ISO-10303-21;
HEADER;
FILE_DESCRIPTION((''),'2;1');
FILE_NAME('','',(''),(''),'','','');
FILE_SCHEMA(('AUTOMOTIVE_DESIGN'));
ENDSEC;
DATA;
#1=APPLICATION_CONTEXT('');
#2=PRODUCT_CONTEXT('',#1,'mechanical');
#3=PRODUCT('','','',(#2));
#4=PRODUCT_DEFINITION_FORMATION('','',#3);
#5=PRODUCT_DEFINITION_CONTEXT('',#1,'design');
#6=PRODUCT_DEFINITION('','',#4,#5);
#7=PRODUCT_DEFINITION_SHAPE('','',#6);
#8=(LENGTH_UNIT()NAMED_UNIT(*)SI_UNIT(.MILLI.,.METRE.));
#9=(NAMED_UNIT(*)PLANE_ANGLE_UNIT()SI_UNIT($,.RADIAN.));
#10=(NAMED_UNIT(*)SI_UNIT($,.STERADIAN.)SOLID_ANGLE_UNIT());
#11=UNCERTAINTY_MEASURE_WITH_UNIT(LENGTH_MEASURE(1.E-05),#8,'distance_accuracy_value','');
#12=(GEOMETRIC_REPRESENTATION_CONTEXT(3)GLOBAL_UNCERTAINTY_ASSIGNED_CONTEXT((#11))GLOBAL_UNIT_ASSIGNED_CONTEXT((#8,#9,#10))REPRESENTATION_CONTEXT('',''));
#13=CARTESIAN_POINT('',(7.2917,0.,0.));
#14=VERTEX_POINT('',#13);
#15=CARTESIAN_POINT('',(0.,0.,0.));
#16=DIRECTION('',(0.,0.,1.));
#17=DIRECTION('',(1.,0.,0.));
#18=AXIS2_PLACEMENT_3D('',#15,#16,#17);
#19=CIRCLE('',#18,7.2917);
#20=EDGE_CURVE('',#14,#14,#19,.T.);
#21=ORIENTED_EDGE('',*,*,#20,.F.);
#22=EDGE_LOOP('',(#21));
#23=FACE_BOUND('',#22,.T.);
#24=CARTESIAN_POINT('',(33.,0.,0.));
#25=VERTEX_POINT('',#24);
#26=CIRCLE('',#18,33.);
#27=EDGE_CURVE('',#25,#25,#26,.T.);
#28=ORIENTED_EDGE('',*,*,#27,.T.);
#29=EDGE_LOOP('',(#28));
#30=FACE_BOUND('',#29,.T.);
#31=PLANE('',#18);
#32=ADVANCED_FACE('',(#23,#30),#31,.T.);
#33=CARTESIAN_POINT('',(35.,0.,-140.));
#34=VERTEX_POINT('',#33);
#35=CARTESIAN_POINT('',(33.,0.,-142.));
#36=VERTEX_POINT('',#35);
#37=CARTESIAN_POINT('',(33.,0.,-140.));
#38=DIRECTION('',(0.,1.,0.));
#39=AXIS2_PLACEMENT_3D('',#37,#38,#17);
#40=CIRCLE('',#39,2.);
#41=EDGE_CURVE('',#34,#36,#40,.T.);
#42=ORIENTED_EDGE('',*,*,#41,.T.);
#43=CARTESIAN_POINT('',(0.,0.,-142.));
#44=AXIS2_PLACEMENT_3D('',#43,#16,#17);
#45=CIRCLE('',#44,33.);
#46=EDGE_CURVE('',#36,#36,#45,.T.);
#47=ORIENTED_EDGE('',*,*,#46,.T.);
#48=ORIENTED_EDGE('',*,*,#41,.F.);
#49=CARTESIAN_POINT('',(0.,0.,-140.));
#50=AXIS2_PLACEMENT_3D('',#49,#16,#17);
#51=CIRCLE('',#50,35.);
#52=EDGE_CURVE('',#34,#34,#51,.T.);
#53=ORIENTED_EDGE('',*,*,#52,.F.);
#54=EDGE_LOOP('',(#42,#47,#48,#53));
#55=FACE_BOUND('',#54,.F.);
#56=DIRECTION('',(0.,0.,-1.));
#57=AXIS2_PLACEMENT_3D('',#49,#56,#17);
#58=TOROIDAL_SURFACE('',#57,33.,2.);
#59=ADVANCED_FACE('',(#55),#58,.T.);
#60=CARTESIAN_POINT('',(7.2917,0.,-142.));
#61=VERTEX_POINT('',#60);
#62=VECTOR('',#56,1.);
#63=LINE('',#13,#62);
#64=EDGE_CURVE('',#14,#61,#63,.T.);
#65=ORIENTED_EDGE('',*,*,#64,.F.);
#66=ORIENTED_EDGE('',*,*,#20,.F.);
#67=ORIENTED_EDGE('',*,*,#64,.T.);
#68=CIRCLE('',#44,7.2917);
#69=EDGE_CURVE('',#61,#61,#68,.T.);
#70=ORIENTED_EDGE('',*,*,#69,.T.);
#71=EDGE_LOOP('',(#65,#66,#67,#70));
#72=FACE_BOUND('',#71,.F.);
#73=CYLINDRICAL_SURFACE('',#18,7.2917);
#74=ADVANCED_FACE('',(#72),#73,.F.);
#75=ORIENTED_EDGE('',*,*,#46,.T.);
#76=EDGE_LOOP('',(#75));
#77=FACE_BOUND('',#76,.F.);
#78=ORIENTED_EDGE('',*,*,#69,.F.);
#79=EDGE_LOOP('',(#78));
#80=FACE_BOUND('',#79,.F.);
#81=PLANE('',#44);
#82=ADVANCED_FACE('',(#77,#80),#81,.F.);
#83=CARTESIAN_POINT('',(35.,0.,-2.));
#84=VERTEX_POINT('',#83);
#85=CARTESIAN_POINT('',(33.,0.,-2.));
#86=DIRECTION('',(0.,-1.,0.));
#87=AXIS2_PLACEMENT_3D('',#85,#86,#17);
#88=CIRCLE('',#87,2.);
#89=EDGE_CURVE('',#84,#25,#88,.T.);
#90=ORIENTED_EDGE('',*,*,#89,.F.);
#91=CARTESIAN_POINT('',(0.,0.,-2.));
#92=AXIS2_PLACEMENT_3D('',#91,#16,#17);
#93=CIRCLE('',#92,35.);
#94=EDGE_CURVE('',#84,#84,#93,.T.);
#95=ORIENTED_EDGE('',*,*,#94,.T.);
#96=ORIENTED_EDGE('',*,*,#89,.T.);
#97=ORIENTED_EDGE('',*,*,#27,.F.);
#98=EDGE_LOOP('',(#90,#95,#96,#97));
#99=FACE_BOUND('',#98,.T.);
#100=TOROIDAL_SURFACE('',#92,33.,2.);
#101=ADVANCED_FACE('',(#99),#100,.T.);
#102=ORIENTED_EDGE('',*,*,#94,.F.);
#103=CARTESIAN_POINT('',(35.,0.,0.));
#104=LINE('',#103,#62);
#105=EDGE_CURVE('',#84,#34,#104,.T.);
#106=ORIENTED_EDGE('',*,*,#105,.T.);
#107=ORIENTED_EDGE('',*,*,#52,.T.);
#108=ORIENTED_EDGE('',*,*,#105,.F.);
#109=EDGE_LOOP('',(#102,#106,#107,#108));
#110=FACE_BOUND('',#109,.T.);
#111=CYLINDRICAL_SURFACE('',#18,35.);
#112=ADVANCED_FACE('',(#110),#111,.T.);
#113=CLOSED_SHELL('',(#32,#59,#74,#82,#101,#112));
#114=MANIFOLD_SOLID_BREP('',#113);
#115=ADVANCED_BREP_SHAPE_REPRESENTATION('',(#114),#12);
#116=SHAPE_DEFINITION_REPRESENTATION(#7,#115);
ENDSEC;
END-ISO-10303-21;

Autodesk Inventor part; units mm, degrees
ref_plane "YZ Plane" through (0, 0, 0) normal (1, 0, 0) x (0, 1, 0)
ref_plane "XZ Plane" through (0, 0, 0) normal (0, 1, 0) x (-1, 0, 0)
ref_plane "XY Plane" through (0, 0, 0) normal (0, 0, 1) x (1, 0, 0)
sketch "Sketch1" plane through (0, 0, 0) normal (0, 0, 1) x (1, 0, 0)
  circle A0 centre (0, 0) radius 35
  circle A1 centre (0, 0) radius 7.2917
  dimension "d0" = 70
extrude "Extrusion1" add sketch "Sketch1" against normal blind 142
fillet "Fillet1" radius 2 2 edges at (-35, 0, 0) (-35, 0, -142)
properties part number "ADSK-MH-10015" material "Steel, Mild"
